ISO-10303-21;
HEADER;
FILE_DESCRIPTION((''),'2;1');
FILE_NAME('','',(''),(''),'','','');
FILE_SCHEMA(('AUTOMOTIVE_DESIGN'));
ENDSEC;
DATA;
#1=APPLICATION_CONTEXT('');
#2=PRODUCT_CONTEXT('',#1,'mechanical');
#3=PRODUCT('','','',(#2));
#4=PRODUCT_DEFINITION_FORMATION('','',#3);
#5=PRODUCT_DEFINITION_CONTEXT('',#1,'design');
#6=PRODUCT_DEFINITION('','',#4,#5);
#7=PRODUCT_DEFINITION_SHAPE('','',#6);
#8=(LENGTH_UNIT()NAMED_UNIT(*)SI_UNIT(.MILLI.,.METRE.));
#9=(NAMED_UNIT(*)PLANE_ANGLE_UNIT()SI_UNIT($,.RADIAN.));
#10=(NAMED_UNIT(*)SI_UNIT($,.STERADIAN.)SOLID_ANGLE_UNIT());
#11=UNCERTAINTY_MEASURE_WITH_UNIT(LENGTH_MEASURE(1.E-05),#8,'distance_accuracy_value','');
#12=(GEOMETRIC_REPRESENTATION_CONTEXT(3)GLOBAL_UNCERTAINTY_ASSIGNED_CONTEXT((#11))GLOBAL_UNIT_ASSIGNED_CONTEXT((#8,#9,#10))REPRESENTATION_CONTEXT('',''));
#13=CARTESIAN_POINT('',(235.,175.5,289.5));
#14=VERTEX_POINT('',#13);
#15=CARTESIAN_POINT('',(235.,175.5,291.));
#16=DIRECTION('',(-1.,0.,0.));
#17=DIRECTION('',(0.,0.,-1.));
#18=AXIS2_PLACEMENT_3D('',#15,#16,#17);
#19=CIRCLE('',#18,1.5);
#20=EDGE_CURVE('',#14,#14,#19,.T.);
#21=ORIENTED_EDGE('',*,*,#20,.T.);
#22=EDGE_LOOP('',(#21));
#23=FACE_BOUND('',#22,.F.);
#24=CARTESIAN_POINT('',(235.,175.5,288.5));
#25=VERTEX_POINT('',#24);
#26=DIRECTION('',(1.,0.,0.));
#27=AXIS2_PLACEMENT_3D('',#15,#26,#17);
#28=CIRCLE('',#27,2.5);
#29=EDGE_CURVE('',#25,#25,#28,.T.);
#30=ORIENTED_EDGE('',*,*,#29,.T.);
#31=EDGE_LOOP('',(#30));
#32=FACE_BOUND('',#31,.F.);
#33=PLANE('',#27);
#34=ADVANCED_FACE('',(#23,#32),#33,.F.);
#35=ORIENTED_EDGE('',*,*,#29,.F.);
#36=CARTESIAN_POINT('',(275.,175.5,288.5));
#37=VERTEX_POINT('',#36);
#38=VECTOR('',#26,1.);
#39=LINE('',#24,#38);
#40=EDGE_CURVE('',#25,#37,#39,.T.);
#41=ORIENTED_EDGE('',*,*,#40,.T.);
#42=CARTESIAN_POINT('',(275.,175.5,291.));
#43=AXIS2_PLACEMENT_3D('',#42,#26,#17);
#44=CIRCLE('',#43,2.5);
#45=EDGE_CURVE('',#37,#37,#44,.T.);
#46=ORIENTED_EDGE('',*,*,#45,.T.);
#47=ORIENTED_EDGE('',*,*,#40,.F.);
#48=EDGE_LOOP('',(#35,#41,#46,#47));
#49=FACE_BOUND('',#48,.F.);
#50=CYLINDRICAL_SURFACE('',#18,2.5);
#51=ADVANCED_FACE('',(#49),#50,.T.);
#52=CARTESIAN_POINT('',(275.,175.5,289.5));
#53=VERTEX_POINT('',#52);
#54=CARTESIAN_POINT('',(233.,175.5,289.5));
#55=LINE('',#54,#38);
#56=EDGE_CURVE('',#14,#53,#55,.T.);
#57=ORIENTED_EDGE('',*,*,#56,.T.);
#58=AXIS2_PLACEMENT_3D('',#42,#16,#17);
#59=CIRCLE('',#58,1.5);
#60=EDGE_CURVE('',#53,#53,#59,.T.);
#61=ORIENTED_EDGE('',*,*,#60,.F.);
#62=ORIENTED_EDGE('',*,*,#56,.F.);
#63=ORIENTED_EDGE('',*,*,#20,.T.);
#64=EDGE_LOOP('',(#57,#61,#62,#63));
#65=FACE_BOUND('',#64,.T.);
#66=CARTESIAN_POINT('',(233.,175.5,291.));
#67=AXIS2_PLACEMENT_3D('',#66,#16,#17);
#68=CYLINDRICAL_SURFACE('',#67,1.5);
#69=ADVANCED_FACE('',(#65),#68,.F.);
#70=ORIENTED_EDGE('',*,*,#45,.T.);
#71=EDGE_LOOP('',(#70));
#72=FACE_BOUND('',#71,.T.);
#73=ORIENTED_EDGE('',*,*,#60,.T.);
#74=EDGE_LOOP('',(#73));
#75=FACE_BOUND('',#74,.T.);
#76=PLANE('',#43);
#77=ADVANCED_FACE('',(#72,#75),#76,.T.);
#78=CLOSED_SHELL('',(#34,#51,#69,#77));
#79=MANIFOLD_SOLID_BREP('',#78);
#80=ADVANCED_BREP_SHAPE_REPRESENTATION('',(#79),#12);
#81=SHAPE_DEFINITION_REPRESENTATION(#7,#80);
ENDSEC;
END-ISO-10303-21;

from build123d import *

# Parameters (mm, degrees)
CYLINDER001_R           = 1.5
CYLINDER001_DEPTH       = 44
CYLINDER001_PITCH_ANGLE = 90
CYLINDER_R              = 2.5
CYLINDER_DEPTH          = 40
CYLINDER_PITCH_ANGLE    = 90


with BuildPart() as cilindro001:
    # Cylinder001 → Cylinder001 (new body)
    with BuildSketch(Plane.XY):
        Circle(CYLINDER001_R)
    extrude(amount=CYLINDER001_DEPTH)


with BuildPart() as cilindro001_1:
    # Cylinder001 pitch: moved
    add(cilindro001.part.rotate(Axis((0, 0, 0), (0, 1, 0)), CYLINDER001_PITCH_ANGLE))


with BuildPart() as cilindro001_2:
    # Cylinder001 placement: moved
    add(cilindro001_1.part.moved(Location((-2, 0, 0))))


with BuildPart() as soporte1:
    # Cylinder → Cylinder (new body)
    with BuildSketch(Plane.XY):
        Circle(CYLINDER_R)
    extrude(amount=CYLINDER_DEPTH)


with BuildPart() as soporte1_1:
    # Cylinder pitch: moved
    add(soporte1.part.rotate(Axis((0, 0, 0), (0, 1, 0)), CYLINDER_PITCH_ANGLE))


with BuildPart() as soporte1_2:
    # Cylinder placement: moved
    add(soporte1_1.part)

    # Cut: cut Cilindro001
    add(cilindro001_2.part, mode=Mode.SUBTRACT)


with BuildPart() as soporte1_3:
    # Cut placement: moved
    add(soporte1_2.part.moved(Location((235, 175.5, 291))))


solid = soporte1_3.part
